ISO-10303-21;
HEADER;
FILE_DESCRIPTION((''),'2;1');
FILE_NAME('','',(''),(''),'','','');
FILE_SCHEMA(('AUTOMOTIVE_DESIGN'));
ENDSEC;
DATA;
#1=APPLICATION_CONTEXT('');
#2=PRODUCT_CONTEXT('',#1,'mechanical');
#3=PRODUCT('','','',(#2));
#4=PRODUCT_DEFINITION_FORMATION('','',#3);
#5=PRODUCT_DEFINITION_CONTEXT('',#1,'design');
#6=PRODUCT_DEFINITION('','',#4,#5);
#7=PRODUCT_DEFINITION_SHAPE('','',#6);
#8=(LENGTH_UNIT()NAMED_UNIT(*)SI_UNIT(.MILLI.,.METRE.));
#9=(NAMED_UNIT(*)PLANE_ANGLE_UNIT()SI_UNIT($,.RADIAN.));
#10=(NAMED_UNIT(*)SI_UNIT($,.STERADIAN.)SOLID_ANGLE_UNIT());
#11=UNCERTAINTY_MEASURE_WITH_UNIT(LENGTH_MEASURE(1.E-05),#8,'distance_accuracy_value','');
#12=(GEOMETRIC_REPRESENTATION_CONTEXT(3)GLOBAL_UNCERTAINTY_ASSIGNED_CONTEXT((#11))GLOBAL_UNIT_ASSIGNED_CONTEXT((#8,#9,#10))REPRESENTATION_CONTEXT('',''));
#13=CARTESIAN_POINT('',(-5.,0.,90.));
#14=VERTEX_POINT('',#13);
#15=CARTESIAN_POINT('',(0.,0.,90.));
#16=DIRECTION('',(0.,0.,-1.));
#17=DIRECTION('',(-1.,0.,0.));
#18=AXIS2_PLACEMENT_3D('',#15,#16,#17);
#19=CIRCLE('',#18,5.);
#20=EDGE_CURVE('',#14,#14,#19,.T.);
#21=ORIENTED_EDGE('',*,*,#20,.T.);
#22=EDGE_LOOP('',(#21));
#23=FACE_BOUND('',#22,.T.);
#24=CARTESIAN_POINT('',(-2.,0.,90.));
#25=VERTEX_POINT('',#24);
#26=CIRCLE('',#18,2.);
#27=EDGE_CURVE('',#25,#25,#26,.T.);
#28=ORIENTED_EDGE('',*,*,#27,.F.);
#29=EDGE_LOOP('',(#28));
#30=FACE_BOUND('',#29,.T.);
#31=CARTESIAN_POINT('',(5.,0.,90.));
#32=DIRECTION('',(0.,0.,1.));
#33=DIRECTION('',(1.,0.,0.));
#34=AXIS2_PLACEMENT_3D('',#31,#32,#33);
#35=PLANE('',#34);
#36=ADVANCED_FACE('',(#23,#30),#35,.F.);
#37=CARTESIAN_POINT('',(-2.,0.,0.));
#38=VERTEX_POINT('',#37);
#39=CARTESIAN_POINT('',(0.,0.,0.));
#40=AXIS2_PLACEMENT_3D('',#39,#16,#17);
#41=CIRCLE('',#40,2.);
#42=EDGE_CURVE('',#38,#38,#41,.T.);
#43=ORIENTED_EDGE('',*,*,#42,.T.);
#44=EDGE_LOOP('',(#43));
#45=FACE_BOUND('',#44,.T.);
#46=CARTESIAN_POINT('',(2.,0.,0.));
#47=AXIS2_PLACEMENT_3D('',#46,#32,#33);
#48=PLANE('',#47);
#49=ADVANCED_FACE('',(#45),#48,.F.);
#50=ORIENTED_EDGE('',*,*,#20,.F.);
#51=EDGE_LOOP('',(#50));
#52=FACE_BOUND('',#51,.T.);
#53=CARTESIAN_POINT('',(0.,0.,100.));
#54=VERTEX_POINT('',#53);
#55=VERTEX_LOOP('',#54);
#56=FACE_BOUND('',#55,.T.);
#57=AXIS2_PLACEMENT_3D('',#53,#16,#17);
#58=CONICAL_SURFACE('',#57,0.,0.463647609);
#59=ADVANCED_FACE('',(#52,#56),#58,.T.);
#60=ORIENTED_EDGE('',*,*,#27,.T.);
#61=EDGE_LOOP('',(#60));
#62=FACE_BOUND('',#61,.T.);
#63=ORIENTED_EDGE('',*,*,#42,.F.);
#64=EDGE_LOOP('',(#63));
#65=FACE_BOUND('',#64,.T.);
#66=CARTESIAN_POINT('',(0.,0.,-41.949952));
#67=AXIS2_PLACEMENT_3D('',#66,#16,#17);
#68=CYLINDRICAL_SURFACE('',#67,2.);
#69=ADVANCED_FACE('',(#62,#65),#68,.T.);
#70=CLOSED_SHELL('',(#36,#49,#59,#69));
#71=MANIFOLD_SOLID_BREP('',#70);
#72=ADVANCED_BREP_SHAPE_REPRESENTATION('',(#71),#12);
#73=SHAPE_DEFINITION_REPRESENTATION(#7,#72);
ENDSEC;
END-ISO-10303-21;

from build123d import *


with BuildPart() as part:
    # Sketch2 → Revolve1 (revolve)
    with BuildSketch(Plane(origin=(0, 0, 0), x_dir=(1, 0, 0), z_dir=(0, 1, 0))):
        Polygon((0, -100), (5, -90), (2, -90), (2, 0), (0, 0), align=None)
    revolve(axis=Axis((0, 0, -41.949952025), (0, 0, 1)))


solid = part.part
